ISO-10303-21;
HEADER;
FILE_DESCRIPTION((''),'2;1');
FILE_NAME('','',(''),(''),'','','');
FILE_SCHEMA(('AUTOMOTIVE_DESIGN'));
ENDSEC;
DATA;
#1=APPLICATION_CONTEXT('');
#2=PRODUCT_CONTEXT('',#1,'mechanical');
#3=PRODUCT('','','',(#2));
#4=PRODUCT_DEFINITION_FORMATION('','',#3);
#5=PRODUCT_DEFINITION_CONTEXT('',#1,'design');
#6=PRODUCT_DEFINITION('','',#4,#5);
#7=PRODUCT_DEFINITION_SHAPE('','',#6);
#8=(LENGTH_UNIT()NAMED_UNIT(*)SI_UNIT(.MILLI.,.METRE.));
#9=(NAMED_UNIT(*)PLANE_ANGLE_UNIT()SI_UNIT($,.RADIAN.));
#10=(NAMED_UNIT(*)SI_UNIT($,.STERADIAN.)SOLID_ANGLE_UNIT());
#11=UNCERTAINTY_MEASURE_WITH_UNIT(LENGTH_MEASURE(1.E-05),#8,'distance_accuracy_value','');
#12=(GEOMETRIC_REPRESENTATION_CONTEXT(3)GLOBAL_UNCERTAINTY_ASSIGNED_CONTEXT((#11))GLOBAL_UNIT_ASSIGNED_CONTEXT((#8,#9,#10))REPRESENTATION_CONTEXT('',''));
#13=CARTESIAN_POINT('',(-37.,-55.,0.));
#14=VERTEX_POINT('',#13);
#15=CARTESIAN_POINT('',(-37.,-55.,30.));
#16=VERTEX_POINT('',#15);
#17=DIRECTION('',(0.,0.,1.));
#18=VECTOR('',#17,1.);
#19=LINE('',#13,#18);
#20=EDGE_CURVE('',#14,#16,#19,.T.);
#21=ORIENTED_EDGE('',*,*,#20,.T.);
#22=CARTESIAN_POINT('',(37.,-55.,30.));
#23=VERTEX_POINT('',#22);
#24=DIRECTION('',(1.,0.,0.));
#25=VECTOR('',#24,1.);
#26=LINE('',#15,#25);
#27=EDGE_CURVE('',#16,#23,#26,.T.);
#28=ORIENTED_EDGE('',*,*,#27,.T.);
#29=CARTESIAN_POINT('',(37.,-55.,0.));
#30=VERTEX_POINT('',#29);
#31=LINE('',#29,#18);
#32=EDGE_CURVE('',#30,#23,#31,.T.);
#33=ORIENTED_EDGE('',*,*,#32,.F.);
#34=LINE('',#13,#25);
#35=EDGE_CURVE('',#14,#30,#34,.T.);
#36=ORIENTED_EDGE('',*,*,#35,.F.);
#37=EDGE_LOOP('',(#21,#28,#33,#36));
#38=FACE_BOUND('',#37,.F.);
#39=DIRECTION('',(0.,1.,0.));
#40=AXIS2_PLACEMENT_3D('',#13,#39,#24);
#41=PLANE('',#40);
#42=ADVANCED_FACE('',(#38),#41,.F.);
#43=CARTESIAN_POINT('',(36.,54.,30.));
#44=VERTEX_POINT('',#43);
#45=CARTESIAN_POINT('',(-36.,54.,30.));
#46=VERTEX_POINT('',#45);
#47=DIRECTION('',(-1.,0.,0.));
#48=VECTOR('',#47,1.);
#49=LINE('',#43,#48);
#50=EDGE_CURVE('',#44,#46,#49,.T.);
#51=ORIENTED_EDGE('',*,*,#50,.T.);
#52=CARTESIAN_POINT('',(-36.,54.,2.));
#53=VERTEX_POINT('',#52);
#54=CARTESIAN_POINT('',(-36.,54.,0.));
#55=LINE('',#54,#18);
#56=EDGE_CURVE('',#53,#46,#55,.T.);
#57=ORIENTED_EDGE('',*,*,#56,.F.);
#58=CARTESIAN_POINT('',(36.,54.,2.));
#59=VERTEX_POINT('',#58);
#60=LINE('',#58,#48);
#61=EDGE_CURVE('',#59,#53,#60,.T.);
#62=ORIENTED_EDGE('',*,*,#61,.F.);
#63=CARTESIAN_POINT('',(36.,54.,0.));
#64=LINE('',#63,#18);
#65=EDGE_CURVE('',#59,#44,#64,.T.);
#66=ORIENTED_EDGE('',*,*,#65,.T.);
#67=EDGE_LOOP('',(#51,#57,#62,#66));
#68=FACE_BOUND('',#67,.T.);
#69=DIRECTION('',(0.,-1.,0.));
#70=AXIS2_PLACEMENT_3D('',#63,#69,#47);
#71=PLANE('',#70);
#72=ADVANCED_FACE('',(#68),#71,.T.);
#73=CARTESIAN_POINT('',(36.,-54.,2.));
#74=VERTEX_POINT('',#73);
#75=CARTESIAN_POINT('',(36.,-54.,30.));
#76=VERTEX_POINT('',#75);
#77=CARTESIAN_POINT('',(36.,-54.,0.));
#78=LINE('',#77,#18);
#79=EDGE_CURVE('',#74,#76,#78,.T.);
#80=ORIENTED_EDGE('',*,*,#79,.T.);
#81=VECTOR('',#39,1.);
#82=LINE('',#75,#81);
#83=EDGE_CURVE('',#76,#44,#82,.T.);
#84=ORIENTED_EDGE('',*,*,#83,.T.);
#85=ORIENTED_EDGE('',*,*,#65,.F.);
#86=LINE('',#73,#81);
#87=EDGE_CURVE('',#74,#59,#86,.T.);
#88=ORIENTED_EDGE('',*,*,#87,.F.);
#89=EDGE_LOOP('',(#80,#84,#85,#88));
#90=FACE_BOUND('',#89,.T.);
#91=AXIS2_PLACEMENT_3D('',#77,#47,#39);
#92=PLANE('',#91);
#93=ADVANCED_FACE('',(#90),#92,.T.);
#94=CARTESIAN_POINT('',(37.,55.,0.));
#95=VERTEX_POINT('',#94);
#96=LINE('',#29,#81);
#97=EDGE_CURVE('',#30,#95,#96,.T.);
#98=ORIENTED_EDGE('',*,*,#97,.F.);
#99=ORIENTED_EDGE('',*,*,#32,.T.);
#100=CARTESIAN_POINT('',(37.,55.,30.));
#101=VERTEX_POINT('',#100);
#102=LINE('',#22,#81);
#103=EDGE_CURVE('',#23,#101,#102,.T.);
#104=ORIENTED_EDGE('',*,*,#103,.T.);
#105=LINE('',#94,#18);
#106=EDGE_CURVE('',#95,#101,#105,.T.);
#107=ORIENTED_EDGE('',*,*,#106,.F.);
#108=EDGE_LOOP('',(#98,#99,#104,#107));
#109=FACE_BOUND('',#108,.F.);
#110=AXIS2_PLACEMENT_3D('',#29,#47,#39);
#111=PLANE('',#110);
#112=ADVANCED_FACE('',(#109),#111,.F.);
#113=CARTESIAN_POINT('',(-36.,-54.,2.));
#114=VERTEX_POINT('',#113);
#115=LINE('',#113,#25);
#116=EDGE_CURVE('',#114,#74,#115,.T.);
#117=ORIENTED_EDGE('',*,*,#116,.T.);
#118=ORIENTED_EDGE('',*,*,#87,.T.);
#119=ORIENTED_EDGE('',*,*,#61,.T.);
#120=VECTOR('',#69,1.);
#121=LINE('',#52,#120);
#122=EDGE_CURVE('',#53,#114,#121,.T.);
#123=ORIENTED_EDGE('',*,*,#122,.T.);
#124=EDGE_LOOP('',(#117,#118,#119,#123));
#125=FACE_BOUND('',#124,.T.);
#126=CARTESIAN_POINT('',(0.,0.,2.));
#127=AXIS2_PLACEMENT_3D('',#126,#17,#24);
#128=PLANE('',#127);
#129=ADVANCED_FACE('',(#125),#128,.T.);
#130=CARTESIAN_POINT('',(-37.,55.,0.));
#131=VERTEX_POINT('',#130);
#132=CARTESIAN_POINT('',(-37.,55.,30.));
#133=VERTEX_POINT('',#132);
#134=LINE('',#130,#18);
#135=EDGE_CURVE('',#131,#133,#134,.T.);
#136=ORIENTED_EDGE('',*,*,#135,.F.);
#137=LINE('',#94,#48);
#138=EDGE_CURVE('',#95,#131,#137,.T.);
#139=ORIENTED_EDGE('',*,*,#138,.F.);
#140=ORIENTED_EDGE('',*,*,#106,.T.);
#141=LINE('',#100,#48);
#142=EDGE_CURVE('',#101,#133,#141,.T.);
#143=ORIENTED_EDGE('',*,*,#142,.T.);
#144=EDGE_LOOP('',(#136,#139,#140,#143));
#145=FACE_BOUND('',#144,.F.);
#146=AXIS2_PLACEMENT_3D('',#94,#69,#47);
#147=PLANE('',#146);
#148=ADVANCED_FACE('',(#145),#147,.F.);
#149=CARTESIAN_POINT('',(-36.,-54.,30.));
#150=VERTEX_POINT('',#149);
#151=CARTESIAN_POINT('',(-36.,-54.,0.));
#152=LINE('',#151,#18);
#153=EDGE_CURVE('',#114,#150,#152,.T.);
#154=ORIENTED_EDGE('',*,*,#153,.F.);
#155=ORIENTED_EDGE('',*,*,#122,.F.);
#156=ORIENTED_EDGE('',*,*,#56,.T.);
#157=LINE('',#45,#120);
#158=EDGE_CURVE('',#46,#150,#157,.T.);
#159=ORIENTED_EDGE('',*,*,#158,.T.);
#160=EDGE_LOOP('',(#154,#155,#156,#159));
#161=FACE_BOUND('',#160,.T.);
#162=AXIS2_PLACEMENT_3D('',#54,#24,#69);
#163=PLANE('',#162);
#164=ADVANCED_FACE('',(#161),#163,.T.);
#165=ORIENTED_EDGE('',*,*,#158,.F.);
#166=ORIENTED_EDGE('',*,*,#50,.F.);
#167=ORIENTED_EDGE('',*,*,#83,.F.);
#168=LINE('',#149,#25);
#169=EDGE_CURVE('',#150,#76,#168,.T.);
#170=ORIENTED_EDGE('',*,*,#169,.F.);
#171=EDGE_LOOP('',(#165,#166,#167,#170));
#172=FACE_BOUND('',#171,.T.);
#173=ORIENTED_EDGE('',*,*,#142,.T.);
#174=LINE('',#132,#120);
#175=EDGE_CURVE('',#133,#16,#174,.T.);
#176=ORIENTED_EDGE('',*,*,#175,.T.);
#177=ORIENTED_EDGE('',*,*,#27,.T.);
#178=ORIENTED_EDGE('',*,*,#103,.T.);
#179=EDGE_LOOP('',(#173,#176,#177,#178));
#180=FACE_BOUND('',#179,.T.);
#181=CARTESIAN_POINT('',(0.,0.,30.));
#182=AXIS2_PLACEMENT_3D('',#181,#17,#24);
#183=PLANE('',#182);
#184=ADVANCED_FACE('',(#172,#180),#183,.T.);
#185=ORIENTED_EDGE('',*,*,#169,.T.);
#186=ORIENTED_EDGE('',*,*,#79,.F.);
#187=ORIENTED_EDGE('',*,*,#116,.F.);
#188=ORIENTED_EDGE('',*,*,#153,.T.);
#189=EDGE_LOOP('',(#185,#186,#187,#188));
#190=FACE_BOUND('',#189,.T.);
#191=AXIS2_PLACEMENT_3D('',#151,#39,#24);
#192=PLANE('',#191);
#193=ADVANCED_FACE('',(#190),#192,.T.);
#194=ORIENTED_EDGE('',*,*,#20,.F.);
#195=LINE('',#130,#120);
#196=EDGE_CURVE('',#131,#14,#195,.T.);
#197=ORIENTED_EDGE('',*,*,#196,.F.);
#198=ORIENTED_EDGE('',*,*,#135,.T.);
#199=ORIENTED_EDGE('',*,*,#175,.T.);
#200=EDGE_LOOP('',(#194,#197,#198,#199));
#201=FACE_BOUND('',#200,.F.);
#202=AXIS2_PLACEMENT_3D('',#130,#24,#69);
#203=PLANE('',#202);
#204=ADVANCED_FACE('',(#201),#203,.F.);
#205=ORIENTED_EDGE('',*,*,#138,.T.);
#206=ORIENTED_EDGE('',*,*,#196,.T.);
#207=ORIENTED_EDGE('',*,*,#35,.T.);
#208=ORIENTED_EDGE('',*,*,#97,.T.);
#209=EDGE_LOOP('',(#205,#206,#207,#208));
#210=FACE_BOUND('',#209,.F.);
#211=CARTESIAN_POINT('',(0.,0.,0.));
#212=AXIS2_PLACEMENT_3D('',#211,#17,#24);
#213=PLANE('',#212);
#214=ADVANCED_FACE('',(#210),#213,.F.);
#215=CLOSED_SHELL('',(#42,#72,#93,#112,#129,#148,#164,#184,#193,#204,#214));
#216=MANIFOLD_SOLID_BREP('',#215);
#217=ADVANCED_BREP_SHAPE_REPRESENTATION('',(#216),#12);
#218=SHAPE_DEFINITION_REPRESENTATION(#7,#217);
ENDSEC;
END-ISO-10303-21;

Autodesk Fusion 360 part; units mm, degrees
sketch "Sketch1" plane through (0, 0, 0) normal (0, 0, 1) x (1, 0, 0)
  line L0 (36, 54) -> (-36, 54)
  line L1 (-36, 54) -> (-36, -54)
  line L2 (-36, -54) -> (36, -54)
  line L3 (36, -54) -> (36, 54)
  line L4 (36, 54) -> (-36, -54) construction
  line L5 (-36, 54) -> (36, -54) construction
  line L6 (37, 55) -> (-37, 55)
  line L7 (-37, 55) -> (-37, -55)
  line L8 (-37, -55) -> (37, -55)
  line L9 (37, -55) -> (37, 55)
  line L10 (37, 55) -> (-37, -55) construction
  line L11 (-37, 55) -> (37, -55) construction
  dimension "d1" = 72
  dimension "d2" = 108
  dimension "d3" = 74
  dimension "d4" = 110
extrude "Extrude1" add sketch "Sketch1" along normal blind 30
extrude "Extrude2" add sketch "Sketch1" along normal blind 2 contours L0 L1 L2 L3
